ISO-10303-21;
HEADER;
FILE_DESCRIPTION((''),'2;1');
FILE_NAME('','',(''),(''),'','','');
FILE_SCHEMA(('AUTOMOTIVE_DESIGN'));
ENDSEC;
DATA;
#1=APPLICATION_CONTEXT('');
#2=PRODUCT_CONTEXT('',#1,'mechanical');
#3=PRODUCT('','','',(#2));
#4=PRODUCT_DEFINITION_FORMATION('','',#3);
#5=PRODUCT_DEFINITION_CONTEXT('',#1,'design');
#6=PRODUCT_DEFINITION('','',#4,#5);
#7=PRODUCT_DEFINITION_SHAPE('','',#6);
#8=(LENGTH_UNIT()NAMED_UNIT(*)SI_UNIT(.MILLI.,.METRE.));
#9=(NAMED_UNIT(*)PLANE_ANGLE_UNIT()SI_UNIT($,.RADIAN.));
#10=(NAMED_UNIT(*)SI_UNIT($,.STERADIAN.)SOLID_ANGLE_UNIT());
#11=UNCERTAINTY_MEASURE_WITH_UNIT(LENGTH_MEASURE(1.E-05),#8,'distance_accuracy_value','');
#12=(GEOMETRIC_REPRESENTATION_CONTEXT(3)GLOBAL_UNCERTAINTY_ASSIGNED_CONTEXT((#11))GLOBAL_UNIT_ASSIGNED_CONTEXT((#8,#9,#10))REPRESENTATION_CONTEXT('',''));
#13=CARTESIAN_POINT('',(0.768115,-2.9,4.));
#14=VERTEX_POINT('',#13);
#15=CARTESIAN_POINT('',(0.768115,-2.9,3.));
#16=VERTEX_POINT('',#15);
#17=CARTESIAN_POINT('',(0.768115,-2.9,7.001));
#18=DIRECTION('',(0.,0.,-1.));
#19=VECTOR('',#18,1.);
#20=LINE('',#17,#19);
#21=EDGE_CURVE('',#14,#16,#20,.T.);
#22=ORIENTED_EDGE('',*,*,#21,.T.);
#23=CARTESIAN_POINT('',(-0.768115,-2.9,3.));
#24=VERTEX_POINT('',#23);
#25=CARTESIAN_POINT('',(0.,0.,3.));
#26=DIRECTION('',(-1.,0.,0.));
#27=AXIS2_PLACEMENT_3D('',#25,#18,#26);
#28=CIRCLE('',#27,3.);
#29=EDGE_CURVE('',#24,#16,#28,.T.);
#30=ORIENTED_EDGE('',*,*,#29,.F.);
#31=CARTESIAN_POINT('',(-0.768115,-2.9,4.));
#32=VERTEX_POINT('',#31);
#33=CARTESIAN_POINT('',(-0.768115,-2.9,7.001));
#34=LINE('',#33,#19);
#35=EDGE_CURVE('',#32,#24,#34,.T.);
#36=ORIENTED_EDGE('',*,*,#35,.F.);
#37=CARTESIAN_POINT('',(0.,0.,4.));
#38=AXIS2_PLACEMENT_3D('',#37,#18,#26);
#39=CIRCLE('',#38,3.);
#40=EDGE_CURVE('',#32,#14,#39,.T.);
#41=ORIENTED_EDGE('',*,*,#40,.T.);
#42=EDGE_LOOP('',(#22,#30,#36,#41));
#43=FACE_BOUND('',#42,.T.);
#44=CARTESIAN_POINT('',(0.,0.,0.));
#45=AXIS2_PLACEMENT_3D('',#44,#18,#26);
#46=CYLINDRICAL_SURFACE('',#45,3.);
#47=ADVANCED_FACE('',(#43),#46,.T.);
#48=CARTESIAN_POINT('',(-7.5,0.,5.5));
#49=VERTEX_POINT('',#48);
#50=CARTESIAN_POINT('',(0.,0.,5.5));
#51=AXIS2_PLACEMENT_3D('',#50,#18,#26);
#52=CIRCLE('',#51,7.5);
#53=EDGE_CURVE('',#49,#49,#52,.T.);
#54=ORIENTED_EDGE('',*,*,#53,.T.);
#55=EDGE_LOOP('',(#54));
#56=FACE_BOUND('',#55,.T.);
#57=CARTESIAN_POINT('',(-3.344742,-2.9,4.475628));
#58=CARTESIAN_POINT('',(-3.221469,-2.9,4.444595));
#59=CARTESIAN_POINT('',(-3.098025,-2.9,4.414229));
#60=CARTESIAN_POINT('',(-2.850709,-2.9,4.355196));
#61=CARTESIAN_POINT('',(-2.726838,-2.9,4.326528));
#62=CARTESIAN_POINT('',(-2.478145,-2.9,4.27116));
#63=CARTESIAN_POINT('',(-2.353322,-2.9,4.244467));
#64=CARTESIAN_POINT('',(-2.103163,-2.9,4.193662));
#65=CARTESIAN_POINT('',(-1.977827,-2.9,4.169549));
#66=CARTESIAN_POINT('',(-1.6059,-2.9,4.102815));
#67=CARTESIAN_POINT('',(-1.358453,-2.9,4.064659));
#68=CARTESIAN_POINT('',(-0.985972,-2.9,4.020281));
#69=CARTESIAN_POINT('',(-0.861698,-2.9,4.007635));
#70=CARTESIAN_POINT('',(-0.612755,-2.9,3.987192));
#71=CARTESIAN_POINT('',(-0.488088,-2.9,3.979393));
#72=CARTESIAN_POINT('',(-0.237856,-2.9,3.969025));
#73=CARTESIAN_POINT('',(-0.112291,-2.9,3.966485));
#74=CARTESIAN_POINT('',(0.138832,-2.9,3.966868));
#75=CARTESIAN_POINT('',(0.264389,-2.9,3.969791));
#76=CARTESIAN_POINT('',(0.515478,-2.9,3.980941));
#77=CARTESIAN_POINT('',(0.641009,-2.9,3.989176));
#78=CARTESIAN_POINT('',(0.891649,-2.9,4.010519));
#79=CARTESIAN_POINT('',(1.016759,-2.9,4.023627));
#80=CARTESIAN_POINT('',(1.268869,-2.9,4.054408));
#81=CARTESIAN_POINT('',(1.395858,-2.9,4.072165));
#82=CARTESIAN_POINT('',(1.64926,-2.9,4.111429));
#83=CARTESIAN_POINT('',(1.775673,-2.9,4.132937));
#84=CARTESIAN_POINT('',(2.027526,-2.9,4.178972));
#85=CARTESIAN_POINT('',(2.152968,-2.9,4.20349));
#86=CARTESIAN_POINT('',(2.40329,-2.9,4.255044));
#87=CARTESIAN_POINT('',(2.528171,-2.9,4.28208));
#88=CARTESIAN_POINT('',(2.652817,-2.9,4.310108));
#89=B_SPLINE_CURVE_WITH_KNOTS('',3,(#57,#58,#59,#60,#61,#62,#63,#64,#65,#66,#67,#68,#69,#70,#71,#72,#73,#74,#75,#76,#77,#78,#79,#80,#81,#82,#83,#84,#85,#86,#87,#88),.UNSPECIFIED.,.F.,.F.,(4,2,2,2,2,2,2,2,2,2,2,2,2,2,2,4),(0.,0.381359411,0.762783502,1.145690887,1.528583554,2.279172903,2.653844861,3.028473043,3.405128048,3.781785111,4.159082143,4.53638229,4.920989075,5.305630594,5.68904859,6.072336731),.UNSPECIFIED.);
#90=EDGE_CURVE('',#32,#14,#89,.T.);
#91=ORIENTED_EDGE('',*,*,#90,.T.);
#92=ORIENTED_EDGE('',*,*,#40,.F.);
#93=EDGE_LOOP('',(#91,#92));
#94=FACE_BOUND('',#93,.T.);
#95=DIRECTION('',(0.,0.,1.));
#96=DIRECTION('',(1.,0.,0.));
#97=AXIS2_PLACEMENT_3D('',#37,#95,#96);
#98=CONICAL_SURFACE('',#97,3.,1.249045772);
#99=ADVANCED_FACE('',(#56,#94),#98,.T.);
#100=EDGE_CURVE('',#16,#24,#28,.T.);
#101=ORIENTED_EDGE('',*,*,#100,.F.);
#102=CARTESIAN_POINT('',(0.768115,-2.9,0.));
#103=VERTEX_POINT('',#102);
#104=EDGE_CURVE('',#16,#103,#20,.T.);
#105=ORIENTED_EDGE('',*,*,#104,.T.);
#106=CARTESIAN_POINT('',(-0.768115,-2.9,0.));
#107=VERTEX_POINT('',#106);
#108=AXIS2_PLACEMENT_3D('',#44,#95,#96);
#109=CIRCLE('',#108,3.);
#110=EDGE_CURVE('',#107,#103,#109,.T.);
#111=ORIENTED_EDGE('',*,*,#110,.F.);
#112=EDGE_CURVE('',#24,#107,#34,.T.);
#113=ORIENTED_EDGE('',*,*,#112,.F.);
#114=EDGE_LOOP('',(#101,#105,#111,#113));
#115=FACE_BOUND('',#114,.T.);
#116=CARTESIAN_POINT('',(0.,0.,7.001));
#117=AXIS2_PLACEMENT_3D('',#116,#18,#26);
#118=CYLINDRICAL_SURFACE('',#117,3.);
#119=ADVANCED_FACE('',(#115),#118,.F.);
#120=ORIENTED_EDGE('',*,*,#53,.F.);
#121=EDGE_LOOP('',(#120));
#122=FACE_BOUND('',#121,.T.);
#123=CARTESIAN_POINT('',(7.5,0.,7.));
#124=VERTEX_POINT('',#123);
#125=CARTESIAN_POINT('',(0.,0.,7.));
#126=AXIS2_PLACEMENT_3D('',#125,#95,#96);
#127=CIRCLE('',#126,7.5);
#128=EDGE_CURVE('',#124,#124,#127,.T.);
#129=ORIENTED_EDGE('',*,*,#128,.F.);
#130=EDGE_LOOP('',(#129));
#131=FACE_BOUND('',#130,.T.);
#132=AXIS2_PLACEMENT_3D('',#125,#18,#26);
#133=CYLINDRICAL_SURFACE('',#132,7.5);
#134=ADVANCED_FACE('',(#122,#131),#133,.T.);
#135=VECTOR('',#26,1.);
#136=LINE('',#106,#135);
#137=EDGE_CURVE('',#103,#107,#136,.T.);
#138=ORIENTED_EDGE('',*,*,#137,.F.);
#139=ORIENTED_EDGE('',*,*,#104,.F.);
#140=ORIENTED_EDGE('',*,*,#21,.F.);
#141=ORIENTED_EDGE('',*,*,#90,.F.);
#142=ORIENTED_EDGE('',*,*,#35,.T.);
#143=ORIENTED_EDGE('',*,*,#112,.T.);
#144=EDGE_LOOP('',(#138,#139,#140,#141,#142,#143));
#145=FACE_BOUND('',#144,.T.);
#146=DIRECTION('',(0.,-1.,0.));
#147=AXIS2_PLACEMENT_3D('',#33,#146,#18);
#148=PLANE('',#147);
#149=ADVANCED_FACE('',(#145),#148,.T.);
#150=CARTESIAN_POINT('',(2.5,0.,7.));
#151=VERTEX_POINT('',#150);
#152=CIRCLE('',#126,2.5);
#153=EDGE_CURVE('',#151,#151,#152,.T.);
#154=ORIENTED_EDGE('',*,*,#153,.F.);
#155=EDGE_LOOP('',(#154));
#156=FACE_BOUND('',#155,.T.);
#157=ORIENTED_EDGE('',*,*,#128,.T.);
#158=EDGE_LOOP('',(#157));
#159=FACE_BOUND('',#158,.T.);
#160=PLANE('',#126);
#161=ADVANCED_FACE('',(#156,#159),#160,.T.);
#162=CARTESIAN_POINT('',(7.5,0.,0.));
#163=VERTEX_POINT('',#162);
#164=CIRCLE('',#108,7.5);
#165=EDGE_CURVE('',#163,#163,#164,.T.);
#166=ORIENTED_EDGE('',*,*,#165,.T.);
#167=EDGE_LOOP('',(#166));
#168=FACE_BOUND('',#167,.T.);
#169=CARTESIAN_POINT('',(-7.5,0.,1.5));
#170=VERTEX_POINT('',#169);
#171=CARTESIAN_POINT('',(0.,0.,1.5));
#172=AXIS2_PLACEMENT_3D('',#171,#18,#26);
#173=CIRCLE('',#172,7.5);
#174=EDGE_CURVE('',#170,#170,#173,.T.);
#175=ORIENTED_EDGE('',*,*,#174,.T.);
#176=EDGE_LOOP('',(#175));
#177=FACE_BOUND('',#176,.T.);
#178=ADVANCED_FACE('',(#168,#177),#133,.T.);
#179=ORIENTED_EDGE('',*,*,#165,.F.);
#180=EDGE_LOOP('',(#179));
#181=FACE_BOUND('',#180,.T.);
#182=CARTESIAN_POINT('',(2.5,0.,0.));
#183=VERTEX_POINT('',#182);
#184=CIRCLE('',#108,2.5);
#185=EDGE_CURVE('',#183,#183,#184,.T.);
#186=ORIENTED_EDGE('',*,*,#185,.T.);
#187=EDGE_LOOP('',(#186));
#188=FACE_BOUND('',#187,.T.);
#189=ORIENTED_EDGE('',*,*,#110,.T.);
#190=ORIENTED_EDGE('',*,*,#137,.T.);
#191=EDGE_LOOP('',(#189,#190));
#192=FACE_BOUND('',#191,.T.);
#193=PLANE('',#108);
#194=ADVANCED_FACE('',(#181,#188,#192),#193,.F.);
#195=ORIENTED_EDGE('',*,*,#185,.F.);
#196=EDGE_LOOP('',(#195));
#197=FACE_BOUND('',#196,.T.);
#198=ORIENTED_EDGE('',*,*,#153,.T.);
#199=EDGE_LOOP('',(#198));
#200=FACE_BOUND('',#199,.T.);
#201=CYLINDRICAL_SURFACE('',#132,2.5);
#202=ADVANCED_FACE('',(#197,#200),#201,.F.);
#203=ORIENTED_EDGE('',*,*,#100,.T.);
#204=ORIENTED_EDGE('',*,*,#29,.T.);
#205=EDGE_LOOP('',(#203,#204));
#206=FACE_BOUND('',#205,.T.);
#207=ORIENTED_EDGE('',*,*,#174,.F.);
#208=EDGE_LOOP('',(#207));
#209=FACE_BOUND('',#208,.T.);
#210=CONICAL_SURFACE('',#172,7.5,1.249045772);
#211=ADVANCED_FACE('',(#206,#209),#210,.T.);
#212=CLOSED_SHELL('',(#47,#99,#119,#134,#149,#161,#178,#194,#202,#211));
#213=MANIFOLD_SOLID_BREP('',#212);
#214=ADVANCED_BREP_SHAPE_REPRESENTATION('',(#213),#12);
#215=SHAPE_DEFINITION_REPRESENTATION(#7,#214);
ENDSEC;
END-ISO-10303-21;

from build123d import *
from build123d.topology import SkipClean

# Parameters (mm, degrees)
SKETCH1_R           = 7.5
SKETCH1_R_2         = 2.5
BOSS_EXTRUDE1_DEPTH = 7
CUT_EXTRUDE2_REACH  = 14.708


with BuildPart() as part:
    # Sketch1 → Boss-Extrude1 (new body)
    with BuildSketch(Plane.XY):
        Circle(SKETCH1_R)
        Circle(SKETCH1_R_2, mode=Mode.SUBTRACT)
    extrude(amount=BOSS_EXTRUDE1_DEPTH)

    # Sketch2 → Cut-Revolve1 (revolve, cut)
    with BuildSketch(Plane(origin=(0, 0, 0), x_dir=(1, 0, 0), z_dir=(0, 1, 0)), mode=Mode.PRIVATE) as cut_revolve1_sk:
        Polygon((3, -4), (3, -3), (7.5, -1.5), (7.5, -5.5), align=None)
    revolve(cut_revolve1_sk.sketch.rotate(Axis((0, 0, 0), (0, 0, 1)), 180), axis=Axis((0, 0, 0), (0, 0, 1)), mode=Mode.SUBTRACT)

    # Cut-Extrude2: up to this cone (the profile starts outside it)
    with SkipClean():  # the faces are left unmerged after this step: merging them gives an invalid solid
        cut_extrude2_end = Plane(origin=(0, 0, 0), z_dir=(0, 0, 1)).offset(3.000001) * Cone(3e-06, 36.624, 12.207999, align=(Align.CENTER, Align.CENTER, Align.MIN), mode=Mode.PRIVATE)
        # Sketch3 → Cut-Extrude2 (cut, up to the surface)
        with BuildSketch(Plane.XY, mode=Mode.PRIVATE) as cut_extrude2_sk1:
            with BuildLine():
                Line((-0.768114575, -2.9), (0.768114575, -2.9))
                ThreePointArc((0.768114575, -2.9), (0, -3), (-0.768114575, -2.9))
            make_face()
        cut_extrude2_tool1 = extrude(cut_extrude2_sk1.sketch, amount=CUT_EXTRUDE2_REACH, mode=Mode.PRIVATE) - cut_extrude2_end
        add(cut_extrude2_tool1.solids().sort_by_distance((0, -2.940058, 0))[0], mode=Mode.SUBTRACT)


solid = part.part
